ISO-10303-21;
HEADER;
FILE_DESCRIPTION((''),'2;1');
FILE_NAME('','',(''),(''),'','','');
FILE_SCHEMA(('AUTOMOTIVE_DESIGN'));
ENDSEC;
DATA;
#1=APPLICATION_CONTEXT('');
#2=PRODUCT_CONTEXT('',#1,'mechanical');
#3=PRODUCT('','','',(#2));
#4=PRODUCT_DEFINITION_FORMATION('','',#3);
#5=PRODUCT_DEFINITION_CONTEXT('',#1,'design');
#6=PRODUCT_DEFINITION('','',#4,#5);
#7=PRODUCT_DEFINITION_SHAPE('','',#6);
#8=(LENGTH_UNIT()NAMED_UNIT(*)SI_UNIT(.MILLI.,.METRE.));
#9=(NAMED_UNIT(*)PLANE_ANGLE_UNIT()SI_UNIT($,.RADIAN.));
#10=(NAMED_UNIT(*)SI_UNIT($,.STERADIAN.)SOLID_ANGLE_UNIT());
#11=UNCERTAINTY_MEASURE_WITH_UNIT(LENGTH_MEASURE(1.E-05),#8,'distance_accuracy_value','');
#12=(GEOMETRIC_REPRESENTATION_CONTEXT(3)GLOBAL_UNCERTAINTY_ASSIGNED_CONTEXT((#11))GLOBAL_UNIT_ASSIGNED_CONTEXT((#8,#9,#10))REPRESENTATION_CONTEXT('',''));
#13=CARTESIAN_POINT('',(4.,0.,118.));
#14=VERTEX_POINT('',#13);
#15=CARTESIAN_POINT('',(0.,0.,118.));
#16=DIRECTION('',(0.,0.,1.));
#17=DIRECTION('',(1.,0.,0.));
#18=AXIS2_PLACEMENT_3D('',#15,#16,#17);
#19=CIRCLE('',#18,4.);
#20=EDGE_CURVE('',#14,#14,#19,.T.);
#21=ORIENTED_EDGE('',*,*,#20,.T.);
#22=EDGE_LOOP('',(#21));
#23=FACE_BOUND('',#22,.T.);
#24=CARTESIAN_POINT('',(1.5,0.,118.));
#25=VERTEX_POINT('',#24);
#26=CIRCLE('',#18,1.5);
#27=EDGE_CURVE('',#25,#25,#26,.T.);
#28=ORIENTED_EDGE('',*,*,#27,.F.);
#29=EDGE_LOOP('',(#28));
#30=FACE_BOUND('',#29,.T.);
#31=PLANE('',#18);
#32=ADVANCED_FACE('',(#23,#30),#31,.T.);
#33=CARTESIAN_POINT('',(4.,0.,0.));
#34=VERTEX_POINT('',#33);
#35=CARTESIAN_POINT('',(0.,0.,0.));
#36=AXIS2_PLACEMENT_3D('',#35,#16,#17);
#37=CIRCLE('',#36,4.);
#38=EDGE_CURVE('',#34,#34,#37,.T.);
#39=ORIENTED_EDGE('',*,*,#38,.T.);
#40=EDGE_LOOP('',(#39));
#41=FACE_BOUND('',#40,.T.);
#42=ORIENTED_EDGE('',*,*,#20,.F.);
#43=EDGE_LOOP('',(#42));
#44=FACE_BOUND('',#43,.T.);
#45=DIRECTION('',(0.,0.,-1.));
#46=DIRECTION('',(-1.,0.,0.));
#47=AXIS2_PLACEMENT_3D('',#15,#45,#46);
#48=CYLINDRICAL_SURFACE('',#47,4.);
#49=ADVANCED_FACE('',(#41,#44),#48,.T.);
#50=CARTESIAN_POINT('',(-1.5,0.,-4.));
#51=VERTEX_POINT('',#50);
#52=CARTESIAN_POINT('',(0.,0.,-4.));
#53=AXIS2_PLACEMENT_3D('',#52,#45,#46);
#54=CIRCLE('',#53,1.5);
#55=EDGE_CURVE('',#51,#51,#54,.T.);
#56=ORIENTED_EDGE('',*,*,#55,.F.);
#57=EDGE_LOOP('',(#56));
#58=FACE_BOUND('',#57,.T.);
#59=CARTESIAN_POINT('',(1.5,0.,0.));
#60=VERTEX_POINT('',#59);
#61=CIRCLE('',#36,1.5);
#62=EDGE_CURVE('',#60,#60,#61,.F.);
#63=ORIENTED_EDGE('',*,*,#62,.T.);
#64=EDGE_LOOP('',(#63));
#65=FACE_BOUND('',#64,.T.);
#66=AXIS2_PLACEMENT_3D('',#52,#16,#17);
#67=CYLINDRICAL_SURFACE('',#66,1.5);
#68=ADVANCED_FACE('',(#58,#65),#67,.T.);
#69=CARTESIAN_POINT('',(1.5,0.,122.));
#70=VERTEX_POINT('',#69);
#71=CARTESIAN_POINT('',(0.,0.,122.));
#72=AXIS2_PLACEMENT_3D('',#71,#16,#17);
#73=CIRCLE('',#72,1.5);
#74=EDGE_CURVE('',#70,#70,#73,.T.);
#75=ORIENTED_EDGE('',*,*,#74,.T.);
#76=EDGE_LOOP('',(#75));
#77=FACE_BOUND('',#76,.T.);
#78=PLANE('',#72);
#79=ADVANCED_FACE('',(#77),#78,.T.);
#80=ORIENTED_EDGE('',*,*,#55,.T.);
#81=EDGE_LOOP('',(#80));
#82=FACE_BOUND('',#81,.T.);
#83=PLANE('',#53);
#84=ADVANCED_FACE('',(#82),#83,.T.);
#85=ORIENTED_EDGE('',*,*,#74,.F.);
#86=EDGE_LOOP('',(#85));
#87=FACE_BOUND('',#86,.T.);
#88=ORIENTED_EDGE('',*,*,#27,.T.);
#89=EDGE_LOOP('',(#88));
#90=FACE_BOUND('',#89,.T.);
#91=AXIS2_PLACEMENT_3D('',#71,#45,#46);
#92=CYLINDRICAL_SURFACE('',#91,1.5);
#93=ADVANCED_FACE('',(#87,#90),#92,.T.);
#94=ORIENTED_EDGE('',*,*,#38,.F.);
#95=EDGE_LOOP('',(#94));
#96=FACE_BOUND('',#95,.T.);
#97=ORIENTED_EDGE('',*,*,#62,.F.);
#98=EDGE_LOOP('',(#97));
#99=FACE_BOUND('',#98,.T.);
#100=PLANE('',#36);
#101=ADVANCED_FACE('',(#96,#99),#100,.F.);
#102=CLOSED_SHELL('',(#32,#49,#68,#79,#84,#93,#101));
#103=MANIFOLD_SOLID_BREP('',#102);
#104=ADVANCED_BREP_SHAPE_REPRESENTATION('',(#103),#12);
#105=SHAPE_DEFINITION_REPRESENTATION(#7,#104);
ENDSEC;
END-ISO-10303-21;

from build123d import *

# Parameters (mm, degrees)
SKETCH_1_R      = 4
EXTRUDE_1_DEPTH = 118
SKETCH_2_R      = 1.5
EXTRUDE_2_DEPTH = 4
SKETCH_3_R      = 1.5
EXTRUDE_3_DEPTH = 4


with BuildPart() as part:
    # 草图1 → 凸台-拉伸1 (new body)
    with BuildSketch(Plane.XY):
        Circle(SKETCH_1_R)
    extrude(amount=EXTRUDE_1_DEPTH)

    # 草图2 → 凸台-拉伸2 (add)
    with BuildSketch(Plane(origin=(0, 0, 0), x_dir=(-1, 0, 0), z_dir=(0, 0, -1))):
        Circle(SKETCH_2_R)
    extrude(amount=EXTRUDE_2_DEPTH)

    # 草图3 → 凸台-拉伸3 (add)
    with BuildSketch(Plane.XY.offset(118)):
        Circle(SKETCH_3_R)
    extrude(amount=EXTRUDE_3_DEPTH)


solid = part.part
